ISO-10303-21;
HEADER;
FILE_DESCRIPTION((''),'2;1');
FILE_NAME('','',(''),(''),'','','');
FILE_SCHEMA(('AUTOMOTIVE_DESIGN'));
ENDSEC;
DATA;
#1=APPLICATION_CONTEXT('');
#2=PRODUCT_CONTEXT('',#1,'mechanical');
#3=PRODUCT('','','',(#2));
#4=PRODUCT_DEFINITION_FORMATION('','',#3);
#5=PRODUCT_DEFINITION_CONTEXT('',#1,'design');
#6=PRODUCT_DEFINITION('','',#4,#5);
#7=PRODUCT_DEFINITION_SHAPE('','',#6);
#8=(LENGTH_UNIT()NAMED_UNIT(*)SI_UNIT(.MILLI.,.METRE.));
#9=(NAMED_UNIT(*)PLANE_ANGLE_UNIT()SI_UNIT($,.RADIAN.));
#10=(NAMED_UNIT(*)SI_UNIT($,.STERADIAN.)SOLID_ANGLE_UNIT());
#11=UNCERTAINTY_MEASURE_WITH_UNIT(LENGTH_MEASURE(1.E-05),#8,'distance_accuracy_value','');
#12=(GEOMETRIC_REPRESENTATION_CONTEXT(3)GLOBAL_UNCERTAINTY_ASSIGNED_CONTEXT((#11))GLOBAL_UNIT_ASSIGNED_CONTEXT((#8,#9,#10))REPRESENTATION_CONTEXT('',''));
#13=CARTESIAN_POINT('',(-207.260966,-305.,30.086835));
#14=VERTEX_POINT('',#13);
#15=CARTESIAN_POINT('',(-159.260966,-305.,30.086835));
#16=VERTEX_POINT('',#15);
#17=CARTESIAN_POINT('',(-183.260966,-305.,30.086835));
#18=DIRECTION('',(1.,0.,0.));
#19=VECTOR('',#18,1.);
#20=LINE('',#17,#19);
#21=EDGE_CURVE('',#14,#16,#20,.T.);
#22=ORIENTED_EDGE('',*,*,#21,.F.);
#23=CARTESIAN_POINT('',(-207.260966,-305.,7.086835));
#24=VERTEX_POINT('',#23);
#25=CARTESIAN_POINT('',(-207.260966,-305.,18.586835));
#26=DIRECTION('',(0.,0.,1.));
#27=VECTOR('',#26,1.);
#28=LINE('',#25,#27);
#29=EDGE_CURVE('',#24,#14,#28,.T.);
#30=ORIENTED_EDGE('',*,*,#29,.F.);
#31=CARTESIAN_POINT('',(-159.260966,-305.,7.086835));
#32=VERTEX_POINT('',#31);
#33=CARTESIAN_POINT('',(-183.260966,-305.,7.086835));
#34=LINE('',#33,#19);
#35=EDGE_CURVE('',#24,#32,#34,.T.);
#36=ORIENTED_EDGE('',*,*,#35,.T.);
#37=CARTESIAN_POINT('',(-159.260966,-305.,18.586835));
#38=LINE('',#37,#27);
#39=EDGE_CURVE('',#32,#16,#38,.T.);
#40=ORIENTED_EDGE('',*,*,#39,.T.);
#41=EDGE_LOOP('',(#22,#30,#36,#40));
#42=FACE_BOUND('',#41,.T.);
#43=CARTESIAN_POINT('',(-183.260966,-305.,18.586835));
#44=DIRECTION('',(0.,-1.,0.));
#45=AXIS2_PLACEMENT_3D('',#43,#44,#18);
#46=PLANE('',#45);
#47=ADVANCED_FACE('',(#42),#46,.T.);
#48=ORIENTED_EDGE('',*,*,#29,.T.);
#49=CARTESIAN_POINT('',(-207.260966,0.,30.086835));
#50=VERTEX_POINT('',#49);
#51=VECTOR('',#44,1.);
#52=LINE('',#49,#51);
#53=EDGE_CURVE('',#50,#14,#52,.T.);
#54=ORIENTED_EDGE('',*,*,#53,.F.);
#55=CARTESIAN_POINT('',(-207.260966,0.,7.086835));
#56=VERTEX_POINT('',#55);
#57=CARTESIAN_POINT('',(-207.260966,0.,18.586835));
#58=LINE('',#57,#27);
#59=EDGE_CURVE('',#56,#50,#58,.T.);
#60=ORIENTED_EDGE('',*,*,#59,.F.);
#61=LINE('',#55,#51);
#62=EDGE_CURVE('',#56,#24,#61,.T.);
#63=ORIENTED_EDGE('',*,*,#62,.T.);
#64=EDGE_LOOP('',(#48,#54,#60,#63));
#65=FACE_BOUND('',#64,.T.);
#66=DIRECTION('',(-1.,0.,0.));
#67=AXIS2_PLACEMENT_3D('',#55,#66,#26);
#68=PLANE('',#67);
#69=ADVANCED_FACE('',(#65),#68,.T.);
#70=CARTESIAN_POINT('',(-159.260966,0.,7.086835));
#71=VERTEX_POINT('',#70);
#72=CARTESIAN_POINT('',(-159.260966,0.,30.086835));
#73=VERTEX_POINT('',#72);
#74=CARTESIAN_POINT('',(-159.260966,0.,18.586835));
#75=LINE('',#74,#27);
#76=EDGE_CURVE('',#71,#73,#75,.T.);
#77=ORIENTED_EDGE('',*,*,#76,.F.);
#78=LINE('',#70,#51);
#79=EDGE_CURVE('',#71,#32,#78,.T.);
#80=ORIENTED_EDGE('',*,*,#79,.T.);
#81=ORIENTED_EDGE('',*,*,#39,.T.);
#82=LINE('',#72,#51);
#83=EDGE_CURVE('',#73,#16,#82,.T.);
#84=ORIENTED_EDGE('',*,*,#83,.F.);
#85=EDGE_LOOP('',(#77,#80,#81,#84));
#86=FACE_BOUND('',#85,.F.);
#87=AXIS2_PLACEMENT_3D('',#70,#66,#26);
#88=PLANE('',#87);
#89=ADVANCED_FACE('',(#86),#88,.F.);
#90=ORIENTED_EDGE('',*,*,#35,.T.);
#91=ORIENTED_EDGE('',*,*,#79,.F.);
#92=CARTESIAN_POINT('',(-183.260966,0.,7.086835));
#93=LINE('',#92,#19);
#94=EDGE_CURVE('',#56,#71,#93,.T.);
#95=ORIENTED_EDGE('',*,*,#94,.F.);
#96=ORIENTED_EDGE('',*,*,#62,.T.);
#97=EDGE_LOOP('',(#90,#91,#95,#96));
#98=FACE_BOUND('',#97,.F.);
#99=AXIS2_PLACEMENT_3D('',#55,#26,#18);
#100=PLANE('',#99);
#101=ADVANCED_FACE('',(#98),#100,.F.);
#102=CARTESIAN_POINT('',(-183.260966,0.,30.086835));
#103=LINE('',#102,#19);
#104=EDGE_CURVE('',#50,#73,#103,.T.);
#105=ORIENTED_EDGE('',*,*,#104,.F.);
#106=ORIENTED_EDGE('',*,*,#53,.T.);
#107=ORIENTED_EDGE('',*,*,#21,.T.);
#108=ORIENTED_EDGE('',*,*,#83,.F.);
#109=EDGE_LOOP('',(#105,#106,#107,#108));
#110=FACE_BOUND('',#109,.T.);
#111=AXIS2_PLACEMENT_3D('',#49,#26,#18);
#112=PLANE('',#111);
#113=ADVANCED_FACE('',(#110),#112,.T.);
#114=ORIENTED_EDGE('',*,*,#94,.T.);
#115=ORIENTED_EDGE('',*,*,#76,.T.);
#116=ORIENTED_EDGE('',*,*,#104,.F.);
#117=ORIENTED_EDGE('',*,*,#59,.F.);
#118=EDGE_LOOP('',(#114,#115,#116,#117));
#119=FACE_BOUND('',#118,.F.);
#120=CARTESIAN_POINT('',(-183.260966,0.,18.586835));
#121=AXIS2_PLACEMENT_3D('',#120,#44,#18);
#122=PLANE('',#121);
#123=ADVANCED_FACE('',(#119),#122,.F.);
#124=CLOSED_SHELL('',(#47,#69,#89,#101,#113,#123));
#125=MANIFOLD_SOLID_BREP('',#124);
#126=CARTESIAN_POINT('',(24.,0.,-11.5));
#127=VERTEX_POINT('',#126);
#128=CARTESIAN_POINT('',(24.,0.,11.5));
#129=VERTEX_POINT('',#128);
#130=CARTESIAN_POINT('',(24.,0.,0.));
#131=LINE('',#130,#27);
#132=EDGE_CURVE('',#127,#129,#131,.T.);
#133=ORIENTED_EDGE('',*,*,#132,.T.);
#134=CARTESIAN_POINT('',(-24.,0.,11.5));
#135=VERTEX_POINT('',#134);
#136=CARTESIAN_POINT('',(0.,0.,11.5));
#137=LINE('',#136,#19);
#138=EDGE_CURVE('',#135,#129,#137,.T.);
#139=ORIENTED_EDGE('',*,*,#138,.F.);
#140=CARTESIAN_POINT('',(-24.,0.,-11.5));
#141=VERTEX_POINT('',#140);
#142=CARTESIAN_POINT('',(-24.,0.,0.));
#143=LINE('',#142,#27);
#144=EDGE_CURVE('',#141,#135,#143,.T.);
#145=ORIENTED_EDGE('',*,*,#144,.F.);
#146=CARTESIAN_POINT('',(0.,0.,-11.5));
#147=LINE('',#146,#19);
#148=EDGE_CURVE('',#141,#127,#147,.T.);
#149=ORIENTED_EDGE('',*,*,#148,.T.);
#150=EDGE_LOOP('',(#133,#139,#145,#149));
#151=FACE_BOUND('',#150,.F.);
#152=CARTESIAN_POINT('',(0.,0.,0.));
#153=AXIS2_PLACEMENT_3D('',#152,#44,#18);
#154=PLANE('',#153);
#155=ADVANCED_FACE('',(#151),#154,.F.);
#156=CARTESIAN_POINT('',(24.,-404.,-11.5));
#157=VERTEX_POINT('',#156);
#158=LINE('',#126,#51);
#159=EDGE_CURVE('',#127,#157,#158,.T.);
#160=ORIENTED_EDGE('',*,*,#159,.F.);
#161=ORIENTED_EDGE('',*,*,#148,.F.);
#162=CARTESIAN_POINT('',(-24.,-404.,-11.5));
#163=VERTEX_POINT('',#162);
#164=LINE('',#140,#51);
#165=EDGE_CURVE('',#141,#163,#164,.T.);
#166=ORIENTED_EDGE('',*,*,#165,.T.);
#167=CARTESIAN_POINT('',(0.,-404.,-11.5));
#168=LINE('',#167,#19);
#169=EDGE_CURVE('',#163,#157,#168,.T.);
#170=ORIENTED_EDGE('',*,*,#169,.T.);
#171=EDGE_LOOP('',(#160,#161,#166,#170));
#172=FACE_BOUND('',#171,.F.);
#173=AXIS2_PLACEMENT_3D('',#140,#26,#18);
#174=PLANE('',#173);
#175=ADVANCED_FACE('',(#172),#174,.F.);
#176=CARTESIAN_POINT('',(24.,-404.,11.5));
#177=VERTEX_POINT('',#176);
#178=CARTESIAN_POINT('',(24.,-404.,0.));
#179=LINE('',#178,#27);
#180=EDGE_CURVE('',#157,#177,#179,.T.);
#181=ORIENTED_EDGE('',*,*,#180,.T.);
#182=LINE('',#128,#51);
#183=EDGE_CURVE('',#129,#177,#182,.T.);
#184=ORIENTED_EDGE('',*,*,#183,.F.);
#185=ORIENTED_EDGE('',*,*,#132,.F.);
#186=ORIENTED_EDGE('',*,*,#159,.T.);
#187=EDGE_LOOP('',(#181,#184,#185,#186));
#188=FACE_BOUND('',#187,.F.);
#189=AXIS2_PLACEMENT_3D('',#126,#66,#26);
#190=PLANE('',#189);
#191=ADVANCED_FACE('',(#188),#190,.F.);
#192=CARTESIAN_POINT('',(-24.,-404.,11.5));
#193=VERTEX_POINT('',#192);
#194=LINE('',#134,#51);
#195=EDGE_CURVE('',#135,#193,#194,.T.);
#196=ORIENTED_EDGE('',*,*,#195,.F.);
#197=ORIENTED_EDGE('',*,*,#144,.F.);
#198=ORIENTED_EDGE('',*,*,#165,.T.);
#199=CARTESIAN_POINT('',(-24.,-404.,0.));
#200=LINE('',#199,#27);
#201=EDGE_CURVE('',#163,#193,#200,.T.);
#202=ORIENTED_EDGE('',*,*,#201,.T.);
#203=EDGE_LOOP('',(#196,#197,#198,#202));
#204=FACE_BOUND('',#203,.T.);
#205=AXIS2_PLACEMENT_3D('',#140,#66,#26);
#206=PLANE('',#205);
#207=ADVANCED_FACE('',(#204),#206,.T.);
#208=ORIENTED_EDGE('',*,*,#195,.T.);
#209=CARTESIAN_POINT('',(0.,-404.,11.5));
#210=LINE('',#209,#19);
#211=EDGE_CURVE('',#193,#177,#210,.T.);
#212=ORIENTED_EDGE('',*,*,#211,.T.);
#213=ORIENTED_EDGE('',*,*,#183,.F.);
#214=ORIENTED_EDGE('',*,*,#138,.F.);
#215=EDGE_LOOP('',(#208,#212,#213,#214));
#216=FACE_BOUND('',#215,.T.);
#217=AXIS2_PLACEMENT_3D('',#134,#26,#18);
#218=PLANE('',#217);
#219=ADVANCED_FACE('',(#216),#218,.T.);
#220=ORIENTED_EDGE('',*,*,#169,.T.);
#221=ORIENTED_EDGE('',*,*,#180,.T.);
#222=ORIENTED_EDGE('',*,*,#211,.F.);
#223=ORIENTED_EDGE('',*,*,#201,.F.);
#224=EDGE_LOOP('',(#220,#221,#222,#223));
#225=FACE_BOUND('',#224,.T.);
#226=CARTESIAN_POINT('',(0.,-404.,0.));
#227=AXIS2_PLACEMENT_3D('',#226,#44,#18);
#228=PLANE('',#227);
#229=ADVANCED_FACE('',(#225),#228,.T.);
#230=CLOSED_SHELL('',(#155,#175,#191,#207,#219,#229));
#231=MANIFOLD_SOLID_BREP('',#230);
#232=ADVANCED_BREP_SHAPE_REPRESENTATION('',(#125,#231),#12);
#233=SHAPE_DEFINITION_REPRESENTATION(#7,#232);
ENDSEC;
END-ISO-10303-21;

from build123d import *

# Parameters (mm, degrees)
F1_W     = 48
F1_H     = 23
F3_DEPTH = 404
F4_W     = 48
F4_H     = 23
F7_DEPTH = 305


with BuildPart() as f3:
    # F1 (on Front) → F3 (new body, through all)
    with BuildSketch(Plane.XZ):
        Rectangle(F1_W, F1_H)
    extrude(amount=F3_DEPTH)


with BuildPart() as f7:
    # F4 (on Front) → F7 (new body, through all)
    with BuildSketch(Plane.XZ):
        with Locations((-183.260966301, 18.5868354291)):
            Rectangle(F4_W, F4_H)
    extrude(amount=F7_DEPTH)


solid = Compound([f3.part, f7.part])
